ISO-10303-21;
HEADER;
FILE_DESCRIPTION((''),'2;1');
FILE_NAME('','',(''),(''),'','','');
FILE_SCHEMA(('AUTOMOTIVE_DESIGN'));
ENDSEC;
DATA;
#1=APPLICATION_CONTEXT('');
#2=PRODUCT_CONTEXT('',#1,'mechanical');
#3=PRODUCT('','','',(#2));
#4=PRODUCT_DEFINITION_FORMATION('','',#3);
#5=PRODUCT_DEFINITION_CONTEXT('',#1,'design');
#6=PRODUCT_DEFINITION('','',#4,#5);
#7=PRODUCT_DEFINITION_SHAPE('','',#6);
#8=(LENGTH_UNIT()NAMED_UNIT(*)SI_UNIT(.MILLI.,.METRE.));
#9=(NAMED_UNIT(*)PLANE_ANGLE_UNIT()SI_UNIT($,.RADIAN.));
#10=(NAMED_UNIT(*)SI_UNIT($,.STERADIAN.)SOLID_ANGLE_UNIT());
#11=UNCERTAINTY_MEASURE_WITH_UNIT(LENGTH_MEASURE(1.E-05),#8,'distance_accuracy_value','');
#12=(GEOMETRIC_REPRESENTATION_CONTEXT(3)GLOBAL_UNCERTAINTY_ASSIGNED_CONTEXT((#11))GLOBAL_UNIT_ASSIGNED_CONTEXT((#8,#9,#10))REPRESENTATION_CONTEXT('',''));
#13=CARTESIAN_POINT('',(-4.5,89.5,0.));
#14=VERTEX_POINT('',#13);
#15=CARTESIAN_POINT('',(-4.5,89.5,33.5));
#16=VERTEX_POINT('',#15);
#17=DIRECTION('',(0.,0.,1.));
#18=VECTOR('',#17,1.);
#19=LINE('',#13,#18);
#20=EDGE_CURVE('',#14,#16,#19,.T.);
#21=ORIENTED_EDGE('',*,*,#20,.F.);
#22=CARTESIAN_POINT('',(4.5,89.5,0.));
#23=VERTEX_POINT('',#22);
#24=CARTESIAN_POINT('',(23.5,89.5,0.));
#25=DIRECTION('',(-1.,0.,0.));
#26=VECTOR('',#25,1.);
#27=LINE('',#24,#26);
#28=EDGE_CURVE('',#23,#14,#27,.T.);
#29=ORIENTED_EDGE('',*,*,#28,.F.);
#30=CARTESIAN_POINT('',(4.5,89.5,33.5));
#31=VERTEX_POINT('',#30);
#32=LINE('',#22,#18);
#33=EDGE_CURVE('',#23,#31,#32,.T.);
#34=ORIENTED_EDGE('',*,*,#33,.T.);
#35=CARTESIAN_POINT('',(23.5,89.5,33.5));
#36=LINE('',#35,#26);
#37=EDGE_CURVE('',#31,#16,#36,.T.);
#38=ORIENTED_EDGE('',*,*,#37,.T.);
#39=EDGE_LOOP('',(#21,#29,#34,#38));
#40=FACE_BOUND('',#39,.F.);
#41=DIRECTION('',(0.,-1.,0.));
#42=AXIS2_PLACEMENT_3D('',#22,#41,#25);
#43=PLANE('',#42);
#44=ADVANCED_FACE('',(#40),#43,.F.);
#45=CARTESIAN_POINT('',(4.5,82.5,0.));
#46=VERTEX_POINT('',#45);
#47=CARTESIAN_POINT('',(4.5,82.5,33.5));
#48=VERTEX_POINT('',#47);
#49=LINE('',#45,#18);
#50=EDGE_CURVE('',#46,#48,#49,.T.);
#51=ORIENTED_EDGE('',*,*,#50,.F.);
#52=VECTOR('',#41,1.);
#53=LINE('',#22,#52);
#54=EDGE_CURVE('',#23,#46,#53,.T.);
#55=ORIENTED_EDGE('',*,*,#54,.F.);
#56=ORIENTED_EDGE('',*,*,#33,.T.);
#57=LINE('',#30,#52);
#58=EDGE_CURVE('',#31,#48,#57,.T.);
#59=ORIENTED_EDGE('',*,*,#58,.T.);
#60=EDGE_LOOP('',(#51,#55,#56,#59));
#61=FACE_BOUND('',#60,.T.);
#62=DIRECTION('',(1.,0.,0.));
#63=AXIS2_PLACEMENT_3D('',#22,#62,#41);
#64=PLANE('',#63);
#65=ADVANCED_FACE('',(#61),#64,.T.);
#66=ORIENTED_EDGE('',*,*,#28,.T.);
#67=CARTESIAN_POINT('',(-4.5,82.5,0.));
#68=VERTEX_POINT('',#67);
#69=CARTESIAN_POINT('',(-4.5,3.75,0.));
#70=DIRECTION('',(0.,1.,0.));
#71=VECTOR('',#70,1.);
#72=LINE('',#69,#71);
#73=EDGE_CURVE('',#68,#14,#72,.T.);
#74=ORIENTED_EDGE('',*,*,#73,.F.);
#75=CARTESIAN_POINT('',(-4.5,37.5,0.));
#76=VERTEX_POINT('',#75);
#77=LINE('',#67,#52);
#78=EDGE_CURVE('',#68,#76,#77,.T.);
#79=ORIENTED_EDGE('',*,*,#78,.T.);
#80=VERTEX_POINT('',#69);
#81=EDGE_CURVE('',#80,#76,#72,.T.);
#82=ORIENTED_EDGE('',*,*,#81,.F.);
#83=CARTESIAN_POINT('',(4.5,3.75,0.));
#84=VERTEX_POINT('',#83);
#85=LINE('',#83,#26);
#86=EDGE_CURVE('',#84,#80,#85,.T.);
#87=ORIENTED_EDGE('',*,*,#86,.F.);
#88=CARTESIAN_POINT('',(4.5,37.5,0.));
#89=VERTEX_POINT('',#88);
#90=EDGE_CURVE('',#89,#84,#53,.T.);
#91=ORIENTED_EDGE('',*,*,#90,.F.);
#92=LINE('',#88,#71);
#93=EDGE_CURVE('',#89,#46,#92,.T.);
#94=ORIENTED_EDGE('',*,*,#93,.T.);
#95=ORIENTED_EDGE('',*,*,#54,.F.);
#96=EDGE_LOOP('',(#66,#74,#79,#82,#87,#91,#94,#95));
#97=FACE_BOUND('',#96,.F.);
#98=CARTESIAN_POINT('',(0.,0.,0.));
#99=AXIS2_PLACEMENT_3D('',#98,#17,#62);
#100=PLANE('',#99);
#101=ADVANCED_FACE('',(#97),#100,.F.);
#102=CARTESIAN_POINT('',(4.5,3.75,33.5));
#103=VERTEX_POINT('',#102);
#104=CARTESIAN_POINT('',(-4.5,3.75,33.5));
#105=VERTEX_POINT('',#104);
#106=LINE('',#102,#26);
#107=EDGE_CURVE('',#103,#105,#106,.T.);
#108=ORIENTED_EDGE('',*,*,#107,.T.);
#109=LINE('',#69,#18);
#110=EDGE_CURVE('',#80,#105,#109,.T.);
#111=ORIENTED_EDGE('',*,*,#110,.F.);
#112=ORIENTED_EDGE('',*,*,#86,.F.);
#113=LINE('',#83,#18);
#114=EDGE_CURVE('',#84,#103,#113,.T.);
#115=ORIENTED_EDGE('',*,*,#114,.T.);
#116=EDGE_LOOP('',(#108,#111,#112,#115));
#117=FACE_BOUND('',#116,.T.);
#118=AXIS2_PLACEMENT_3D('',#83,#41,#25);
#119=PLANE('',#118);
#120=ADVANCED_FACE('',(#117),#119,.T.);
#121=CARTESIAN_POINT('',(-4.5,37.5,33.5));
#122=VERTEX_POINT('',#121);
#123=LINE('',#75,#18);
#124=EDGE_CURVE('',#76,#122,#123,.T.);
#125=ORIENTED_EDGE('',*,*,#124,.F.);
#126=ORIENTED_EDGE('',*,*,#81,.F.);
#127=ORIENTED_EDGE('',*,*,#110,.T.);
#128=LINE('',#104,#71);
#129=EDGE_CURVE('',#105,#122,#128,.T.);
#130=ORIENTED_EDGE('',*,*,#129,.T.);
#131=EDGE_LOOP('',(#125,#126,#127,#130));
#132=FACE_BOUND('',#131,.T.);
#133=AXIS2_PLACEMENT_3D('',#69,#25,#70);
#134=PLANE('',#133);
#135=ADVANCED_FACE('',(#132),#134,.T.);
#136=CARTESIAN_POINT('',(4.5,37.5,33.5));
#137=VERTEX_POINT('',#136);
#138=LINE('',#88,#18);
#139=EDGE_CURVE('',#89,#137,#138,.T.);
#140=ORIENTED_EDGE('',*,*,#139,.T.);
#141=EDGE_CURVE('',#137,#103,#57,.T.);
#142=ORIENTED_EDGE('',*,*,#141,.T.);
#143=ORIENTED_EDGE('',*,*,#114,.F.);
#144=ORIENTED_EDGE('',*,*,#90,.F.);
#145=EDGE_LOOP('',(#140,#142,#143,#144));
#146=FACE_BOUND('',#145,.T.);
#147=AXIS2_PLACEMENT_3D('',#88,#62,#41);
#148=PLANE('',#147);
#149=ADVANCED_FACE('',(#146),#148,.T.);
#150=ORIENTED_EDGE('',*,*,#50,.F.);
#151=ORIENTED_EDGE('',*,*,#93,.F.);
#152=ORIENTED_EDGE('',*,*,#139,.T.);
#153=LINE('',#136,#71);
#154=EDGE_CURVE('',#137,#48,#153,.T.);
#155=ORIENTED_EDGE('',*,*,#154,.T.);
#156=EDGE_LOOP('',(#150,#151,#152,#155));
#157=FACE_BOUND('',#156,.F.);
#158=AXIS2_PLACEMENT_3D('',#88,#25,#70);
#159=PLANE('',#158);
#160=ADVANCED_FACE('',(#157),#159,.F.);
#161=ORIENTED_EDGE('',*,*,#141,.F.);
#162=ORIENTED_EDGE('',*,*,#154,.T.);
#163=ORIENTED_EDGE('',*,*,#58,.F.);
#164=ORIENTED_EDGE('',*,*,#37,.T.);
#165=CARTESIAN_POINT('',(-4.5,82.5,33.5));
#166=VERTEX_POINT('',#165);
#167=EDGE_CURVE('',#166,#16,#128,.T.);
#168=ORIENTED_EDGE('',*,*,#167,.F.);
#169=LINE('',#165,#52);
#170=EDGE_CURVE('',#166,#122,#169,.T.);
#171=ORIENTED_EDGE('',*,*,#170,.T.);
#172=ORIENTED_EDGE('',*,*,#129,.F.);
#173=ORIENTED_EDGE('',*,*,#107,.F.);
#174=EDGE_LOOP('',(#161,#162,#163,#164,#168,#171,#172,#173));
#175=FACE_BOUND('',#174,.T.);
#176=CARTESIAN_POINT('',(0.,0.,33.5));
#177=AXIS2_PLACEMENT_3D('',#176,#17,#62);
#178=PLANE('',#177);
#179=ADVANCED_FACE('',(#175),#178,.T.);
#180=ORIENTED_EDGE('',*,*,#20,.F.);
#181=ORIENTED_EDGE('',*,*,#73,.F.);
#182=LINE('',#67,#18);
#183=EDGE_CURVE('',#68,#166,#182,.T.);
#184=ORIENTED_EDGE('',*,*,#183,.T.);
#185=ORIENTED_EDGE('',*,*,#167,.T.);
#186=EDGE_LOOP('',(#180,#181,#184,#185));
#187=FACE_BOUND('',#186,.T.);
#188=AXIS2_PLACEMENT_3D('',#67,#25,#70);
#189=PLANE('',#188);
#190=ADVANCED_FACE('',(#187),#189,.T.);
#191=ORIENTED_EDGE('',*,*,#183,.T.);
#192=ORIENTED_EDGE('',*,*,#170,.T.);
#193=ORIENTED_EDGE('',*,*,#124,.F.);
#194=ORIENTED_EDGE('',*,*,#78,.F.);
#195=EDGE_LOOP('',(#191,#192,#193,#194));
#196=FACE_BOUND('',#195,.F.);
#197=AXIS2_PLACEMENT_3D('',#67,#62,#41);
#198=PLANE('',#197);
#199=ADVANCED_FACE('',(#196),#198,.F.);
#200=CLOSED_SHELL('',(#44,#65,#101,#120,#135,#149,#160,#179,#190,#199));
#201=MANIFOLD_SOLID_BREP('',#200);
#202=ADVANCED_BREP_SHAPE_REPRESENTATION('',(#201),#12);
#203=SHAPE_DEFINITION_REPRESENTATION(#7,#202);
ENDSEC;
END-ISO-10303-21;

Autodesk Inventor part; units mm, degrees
ref_plane "YZ Plane" through (0, 0, 0) normal (1, 0, 0) x (0, 1, 0)
ref_plane "XZ Plane" through (0, 0, 0) normal (0, 1, 0) x (-1, 0, 0)
ref_plane "Work Plane1" through (0, 0, 0) normal (0, 0, 1) x (1, 0, 0)
ref_plane "Work Plane2" through (-89, -40.3889, 33.5) normal (0, 0, 1) x (1, 0, 0)
sketch "Sketch1" plane through (0, 0, 0) normal (0, 0, 1) x (1, 0, 0)
  line L0 (23.5, 89.5) -> (-23.5, 89.5) projected
  line L1 (-23.5, 89.5) -> (-23.5, 37.5) projected
  arc A0 (-26.5, 34.5) -> (-23.5, 37.5) centre (-26.5, 37.5) ccw projected
  line L2 (-26.5, 34.5) -> (-89, 34.5) projected
  line L3 (-89, 34.5) -> (-89, -69.5) projected
  line L4 (-89, -69.5) -> (-77, -69.5) projected
  arc A1 (-74, -72.5) -> (-77, -69.5) centre (-77, -72.5) ccw projected
  line L5 (-74, -72.5) -> (-74, -89.5) projected
  line L6 (-74, -89.5) -> (74, -89.5) projected
  line L7 (74, -89.5) -> (74, -72.5) projected
  arc A2 (77, -69.5) -> (74, -72.5) centre (77, -72.5) ccw projected
  line L8 (77, -69.5) -> (89, -69.5) projected
  line L9 (89, -69.5) -> (89, 34.5) projected
  line L10 (89, 34.5) -> (26.5, 34.5) projected
  arc A3 (23.5, 37.5) -> (26.5, 34.5) centre (26.5, 37.5) ccw projected
  line L11 (23.5, 37.5) -> (23.5, 89.5) projected
  line L12 (-4.5, 82.5) -> (-4.5, 37.5) projected
  arc A4 (-7.5, 34.5) -> (-4.5, 37.5) centre (-7.5, 37.5) ccw projected
  line L13 (-7.5, 34.5) -> (-13.5, 34.5) projected
  arc A5 (-16.5, 37.5) -> (-13.5, 34.5) centre (-13.5, 37.5) ccw projected
  line L14 (-16.5, 37.5) -> (-16.5, 82.5) projected
  arc A6 (-13.5, 85.5) -> (-16.5, 82.5) centre (-13.5, 82.5) ccw projected
  line L15 (-13.5, 85.5) -> (-7.5, 85.5) projected
  arc A7 (-4.5, 82.5) -> (-7.5, 85.5) centre (-7.5, 82.5) ccw projected
  line L16 (16.5, 82.5) -> (16.5, 37.5) projected
  arc A8 (13.5, 34.5) -> (16.5, 37.5) centre (13.5, 37.5) ccw projected
  line L17 (13.5, 34.5) -> (7.5, 34.5) projected
  arc A9 (4.5, 37.5) -> (7.5, 34.5) centre (7.5, 37.5) ccw projected
  line L18 (4.5, 37.5) -> (4.5, 82.5) projected
  arc A10 (7.5, 85.5) -> (4.5, 82.5) centre (7.5, 82.5) ccw projected
  line L19 (7.5, 85.5) -> (13.5, 85.5) projected
  arc A11 (16.5, 82.5) -> (13.5, 85.5) centre (13.5, 82.5) ccw projected
  line L20 (-4.5, 89.5) -> (4.5, 89.5)
  line L21 (4.5, 89.5) -> (4.5, 3.75)
  line L22 (4.5, 3.75) -> (-4.5, 3.75)
  line L23 (-4.5, 3.75) -> (-4.5, 89.5)
  line L24 (-32.2, 4.75) -> (-59.9, 4.75)
  point P0 (0, 0)
  dimension "d0" = 1
extrude "Extrusion1" add sketch "Sketch1" along normal up to surface (33.5 mm away) contours L21 L18 L22 L23 L12 L0
properties part number "middle_gear_holder"
